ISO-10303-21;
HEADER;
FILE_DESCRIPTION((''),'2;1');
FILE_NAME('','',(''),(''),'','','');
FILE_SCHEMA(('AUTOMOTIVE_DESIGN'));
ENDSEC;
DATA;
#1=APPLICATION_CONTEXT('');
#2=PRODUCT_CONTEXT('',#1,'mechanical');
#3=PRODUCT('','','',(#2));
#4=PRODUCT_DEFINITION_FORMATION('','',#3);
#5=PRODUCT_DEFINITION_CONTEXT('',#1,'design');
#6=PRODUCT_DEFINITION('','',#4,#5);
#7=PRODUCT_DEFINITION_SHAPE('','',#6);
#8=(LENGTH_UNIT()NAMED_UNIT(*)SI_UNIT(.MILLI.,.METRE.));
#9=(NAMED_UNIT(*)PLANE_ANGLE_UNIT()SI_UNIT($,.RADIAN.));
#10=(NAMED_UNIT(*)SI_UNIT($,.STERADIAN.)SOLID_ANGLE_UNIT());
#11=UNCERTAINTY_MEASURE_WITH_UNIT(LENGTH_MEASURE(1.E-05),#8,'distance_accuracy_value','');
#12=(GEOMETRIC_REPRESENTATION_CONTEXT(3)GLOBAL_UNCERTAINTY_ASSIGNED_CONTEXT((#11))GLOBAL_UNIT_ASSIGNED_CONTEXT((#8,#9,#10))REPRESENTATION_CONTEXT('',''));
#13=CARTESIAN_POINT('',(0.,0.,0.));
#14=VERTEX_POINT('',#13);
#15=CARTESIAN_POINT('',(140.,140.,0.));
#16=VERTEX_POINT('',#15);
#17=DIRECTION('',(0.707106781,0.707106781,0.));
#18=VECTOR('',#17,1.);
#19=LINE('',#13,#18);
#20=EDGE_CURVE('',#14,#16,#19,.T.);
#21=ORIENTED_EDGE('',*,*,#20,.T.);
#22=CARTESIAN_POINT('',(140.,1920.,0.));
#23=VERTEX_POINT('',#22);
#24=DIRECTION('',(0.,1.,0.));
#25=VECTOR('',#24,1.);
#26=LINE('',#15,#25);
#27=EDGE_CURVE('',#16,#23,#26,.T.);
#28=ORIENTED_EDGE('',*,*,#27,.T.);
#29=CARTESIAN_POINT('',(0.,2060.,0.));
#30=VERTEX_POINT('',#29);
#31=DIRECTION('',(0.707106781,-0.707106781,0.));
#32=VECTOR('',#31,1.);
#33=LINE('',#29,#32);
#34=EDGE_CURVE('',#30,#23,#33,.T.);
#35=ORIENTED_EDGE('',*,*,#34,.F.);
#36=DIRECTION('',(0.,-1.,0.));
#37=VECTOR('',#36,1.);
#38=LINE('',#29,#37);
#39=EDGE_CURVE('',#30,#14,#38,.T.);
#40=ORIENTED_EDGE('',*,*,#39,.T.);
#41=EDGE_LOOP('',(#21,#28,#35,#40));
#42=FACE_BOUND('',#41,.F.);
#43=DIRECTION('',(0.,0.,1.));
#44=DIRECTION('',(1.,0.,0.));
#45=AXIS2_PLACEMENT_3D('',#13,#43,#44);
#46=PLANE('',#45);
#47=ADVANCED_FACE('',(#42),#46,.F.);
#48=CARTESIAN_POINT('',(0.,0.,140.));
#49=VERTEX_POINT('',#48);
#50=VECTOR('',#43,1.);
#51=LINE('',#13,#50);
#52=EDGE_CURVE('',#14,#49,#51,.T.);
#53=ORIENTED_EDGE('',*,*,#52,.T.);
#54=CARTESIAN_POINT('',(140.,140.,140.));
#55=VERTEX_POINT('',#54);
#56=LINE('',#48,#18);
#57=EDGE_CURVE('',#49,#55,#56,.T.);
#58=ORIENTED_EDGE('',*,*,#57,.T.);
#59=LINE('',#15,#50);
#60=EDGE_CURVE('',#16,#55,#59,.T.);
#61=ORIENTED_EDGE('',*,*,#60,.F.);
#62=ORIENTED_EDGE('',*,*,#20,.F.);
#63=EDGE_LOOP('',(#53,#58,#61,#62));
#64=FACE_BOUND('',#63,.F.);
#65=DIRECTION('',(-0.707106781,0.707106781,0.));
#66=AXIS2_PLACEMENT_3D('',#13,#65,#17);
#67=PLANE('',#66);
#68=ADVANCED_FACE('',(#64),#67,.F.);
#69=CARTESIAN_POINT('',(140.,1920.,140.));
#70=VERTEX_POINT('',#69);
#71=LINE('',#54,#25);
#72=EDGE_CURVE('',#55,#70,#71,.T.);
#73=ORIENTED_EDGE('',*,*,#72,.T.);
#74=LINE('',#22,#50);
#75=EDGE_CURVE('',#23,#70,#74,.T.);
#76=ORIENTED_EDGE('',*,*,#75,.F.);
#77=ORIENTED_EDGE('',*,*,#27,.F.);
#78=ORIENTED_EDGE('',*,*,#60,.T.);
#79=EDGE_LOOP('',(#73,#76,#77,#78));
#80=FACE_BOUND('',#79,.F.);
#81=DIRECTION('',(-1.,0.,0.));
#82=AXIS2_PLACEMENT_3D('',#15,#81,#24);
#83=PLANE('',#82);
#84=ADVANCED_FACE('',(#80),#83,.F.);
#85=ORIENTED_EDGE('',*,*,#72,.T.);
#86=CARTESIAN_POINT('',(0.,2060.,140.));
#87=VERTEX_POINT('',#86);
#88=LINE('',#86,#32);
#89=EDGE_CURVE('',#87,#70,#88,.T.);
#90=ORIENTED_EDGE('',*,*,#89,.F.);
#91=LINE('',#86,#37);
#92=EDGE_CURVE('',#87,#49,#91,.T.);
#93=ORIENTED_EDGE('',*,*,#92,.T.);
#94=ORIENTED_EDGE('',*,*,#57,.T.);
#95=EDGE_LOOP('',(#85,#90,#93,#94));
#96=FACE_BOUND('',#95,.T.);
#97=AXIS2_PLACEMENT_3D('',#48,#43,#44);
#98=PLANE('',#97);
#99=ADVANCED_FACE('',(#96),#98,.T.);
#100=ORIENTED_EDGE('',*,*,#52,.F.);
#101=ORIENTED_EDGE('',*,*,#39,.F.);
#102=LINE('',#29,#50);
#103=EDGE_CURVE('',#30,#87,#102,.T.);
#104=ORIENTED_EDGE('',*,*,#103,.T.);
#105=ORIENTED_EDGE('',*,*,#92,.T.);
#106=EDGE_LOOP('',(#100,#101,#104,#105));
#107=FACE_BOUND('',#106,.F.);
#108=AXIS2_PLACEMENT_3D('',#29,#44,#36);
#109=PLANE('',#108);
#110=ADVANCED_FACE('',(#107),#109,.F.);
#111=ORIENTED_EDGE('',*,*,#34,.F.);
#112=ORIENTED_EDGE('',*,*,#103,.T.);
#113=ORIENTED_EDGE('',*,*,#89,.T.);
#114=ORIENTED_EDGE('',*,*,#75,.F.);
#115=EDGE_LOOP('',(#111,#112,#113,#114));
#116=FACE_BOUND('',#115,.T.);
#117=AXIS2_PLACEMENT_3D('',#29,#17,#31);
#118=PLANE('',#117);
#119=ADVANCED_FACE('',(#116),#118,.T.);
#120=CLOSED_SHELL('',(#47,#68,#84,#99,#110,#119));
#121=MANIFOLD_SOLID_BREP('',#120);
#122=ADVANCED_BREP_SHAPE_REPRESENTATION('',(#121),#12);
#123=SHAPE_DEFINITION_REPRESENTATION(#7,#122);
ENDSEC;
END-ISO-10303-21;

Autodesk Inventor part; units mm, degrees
ref_plane "YZ Plane" through (0, 0, 0) normal (1, 0, 0) x (0, 1, 0)
ref_plane "XZ Plane" through (0, 0, 0) normal (0, 1, 0) x (-1, 0, 0)
ref_plane "XY Plane" through (0, 0, 0) normal (0, 0, 1) x (1, 0, 0)
sketch "Sketch1" plane through (0, 0, 0) normal (0, 0, 1) x (1, 0, 0)
  line L0 (140, 140) -> (140, 1920)
  line L1 (0, 2060) -> (0, 0)
  line L2 (0, 2060) -> (140, 1920)
  line L3 (0, 2060) -> (197.9899, 2060) construction
  line L4 (0, 0) -> (140, 140)
  line L5 (0, 0) -> (197.9899, 0) construction
  dimension "d2" = 45
  dimension "d3" = 45
extrude "Extrusion1" add sketch "Sketch1" along normal blind 140
properties part number "exterior support" material "Stainless Steel"
